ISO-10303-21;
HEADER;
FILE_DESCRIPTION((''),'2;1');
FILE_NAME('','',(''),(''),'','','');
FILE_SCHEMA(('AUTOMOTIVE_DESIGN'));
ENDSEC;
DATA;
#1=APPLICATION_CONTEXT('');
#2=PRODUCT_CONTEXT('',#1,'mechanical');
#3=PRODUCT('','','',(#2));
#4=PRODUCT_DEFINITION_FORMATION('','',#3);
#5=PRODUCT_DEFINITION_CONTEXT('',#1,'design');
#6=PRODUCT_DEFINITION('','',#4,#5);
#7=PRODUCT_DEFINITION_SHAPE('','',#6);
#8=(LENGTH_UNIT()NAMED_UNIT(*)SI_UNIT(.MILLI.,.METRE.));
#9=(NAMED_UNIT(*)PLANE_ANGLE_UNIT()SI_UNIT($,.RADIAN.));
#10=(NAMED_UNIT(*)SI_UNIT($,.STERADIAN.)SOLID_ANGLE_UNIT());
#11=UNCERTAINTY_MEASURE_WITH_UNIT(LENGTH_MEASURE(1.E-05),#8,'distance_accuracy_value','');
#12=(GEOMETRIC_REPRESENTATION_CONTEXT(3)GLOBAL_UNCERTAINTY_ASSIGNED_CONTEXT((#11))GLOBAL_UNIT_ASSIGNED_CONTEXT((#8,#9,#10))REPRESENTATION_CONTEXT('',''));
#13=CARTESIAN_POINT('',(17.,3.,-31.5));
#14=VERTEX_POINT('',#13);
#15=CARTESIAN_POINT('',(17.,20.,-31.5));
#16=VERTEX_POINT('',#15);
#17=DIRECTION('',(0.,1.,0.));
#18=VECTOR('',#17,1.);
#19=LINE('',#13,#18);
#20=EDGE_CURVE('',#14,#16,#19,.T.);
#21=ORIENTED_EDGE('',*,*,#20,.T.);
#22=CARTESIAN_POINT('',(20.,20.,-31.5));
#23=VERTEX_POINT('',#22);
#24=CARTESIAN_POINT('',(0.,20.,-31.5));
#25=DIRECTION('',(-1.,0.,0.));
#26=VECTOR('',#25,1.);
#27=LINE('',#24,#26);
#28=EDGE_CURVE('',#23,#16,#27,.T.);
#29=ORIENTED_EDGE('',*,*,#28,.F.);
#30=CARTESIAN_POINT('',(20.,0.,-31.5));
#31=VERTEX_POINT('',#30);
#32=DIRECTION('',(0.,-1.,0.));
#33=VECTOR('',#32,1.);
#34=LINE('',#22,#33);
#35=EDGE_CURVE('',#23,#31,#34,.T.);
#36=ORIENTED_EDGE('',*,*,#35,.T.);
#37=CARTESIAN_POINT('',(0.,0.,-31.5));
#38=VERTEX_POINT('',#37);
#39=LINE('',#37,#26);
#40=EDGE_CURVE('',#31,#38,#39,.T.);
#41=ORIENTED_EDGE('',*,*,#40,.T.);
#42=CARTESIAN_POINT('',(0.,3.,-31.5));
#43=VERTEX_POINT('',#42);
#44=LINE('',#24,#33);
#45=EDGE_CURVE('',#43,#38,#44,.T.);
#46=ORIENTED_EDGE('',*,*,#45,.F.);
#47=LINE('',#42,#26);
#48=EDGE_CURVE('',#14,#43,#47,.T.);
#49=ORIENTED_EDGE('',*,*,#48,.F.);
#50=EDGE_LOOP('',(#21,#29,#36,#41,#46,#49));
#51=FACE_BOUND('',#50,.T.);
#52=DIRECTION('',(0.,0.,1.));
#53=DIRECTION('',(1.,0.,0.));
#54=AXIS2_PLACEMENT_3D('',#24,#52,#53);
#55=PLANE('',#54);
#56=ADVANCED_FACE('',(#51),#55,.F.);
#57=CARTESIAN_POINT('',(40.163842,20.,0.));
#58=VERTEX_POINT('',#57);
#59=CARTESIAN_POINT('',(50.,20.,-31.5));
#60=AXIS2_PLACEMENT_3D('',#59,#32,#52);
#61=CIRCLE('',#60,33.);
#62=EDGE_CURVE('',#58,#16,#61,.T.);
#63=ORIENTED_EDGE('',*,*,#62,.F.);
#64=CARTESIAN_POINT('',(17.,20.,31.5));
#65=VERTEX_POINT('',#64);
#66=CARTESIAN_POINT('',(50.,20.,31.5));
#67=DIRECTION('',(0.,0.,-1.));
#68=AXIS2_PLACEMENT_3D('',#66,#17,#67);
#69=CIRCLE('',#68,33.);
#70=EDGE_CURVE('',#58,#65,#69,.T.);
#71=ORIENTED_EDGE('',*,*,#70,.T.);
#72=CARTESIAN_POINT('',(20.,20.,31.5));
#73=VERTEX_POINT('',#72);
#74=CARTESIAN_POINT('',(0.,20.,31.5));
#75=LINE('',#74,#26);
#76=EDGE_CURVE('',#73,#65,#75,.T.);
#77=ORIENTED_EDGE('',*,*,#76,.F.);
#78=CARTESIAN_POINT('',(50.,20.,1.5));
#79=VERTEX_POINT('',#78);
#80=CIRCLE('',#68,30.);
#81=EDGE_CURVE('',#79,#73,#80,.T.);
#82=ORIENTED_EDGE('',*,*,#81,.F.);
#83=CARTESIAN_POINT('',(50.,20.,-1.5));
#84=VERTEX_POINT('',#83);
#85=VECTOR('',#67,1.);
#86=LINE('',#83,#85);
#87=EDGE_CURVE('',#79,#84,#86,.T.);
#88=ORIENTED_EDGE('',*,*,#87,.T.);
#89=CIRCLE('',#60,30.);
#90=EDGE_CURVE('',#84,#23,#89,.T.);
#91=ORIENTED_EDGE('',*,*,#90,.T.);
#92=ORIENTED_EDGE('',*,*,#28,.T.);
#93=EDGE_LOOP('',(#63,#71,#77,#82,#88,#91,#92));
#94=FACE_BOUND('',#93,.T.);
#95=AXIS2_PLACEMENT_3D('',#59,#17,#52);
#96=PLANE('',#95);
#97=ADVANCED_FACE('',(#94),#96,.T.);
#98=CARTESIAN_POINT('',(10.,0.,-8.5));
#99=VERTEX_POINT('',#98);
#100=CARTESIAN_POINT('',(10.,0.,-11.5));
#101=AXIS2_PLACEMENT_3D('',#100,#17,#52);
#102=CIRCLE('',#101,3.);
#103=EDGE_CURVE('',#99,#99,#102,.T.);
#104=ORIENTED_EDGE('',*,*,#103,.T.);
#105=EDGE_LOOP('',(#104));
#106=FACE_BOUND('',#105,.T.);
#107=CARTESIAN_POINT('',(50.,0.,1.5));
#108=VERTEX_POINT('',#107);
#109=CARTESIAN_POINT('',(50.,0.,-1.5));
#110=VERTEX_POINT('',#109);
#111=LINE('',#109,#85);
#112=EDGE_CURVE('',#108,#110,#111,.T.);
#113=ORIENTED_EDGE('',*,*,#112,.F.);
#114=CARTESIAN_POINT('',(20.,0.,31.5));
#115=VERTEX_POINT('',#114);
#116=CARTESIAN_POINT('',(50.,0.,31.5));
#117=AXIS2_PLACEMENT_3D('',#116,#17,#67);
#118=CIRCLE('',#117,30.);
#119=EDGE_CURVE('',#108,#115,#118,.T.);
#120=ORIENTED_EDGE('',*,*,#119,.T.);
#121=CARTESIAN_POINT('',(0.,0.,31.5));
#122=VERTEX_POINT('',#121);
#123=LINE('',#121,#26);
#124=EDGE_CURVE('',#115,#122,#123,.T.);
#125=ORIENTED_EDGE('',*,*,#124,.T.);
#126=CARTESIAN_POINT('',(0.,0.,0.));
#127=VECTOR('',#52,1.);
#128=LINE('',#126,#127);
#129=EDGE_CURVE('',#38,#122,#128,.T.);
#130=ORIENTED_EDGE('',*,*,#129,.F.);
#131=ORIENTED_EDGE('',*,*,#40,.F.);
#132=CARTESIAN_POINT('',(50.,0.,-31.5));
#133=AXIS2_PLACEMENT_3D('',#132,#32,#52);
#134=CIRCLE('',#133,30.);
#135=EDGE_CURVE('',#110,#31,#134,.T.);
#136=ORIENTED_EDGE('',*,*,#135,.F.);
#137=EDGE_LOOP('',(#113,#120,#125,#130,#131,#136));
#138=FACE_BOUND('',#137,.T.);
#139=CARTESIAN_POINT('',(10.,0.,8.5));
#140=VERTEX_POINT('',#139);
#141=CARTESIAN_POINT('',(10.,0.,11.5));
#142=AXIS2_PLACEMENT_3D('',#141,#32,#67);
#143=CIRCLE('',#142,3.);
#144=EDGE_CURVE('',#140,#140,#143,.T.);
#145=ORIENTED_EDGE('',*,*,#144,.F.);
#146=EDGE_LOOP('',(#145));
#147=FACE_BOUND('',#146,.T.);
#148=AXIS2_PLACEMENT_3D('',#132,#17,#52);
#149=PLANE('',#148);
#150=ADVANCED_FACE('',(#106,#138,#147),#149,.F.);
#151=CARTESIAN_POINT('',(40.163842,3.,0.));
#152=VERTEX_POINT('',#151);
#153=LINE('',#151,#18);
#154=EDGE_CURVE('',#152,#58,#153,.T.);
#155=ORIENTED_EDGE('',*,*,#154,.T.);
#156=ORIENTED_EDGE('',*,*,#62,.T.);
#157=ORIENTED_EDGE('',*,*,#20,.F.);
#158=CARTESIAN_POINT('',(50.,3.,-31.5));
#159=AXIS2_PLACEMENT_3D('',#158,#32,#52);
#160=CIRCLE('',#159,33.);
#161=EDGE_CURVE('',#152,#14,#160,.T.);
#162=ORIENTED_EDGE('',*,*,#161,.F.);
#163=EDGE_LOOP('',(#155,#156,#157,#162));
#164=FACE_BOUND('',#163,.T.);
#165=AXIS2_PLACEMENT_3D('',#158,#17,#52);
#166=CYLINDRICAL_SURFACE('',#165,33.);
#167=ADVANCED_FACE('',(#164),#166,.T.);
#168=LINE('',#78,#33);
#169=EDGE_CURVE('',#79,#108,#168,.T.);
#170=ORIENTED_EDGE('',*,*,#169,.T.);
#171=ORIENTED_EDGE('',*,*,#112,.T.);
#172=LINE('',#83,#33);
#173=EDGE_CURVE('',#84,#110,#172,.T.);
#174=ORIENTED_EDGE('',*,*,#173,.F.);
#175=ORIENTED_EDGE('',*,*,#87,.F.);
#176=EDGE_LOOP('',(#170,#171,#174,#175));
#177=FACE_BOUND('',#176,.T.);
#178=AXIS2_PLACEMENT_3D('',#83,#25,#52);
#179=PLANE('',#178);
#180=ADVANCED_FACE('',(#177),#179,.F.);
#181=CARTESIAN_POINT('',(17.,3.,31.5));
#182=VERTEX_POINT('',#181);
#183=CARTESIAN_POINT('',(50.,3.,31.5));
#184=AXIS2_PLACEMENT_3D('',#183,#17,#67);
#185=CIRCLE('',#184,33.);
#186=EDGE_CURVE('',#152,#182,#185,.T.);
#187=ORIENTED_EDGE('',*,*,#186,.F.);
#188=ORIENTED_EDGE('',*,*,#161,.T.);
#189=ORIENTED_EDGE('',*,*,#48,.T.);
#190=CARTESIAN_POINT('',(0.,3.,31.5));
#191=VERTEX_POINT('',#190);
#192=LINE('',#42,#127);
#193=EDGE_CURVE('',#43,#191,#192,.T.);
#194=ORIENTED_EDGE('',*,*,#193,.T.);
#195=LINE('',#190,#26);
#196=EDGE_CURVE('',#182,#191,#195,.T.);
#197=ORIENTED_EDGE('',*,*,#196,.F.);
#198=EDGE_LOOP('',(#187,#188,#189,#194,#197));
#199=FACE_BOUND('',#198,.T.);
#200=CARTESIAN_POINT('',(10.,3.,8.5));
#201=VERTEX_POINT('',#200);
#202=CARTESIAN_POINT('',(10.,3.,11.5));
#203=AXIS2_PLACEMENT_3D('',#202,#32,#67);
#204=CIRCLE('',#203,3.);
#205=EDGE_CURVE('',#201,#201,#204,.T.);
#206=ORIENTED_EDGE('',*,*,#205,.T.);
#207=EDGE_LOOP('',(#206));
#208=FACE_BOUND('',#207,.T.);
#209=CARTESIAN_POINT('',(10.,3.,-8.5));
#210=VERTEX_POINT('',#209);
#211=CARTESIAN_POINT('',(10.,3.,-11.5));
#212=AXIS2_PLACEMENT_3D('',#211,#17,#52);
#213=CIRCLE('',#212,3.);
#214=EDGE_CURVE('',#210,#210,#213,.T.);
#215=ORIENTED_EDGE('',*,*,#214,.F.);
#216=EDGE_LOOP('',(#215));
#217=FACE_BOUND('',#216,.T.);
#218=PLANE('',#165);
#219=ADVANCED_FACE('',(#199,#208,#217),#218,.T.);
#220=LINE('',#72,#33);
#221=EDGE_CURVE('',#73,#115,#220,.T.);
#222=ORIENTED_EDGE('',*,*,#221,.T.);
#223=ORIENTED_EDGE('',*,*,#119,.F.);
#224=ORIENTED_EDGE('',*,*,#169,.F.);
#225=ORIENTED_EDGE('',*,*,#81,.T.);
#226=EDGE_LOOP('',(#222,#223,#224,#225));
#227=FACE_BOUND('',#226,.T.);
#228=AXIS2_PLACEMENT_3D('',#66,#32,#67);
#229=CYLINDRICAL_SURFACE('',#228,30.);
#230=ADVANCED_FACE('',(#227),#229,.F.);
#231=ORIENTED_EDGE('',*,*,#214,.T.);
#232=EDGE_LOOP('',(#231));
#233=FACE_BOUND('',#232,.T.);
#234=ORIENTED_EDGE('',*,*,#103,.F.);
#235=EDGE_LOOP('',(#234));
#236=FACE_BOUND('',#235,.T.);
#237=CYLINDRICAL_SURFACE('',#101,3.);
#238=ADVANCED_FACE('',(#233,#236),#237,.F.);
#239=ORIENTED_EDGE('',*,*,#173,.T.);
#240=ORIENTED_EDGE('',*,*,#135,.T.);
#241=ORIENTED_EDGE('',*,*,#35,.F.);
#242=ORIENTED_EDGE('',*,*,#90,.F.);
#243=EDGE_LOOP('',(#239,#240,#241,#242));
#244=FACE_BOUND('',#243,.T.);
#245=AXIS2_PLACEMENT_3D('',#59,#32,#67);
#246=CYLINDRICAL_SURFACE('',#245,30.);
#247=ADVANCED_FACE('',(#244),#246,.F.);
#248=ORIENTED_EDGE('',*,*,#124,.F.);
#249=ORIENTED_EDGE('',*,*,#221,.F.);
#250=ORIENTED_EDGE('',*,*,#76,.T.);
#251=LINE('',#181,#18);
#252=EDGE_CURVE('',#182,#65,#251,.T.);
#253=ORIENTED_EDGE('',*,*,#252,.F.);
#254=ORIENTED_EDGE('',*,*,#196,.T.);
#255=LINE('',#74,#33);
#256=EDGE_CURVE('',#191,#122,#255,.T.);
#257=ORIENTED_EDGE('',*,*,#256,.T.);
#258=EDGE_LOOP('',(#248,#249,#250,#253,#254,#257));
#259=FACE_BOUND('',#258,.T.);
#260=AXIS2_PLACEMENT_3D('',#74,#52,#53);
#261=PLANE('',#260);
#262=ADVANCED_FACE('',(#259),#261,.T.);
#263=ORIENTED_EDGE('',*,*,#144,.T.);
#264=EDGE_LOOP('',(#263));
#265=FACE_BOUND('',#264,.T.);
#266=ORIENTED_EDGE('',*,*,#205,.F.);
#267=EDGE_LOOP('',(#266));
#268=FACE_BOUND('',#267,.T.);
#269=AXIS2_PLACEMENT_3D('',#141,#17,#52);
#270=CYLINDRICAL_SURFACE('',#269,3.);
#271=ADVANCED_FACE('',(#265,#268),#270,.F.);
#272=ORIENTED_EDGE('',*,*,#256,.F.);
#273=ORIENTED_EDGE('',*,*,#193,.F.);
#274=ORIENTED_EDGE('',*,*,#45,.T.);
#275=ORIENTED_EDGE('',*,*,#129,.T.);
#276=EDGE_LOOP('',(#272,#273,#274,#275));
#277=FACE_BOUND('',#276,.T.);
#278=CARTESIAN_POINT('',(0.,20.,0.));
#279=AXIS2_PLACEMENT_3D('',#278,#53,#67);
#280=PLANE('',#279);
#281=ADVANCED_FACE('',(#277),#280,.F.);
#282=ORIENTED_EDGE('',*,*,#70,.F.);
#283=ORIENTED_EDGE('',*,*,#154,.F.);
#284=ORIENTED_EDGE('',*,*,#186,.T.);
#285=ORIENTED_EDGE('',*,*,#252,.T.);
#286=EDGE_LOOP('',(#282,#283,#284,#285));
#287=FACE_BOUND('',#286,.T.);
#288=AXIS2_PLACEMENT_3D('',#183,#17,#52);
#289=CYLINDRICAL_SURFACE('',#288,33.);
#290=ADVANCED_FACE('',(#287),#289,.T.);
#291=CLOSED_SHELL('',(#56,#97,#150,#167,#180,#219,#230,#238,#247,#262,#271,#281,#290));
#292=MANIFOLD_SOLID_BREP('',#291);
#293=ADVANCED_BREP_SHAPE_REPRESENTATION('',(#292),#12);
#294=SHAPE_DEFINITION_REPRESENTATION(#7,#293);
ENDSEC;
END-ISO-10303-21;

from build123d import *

# Parameters (mm, degrees)
EXTRUDE_1_DEPTH     = 20
CUT_EXTRUDE_1_DEPTH = 17
SKETCH_4_R          = 3
CUT_EXTRUDE_2_DEPTH = 62.491869381


with BuildPart() as part:
    # 草圖2 → 填料-伸長1 (new body)
    with BuildSketch(Plane(origin=(0, 0, 0), x_dir=(1, 0, 0), z_dir=(0, 1, 0))):
        with BuildLine():
            Line((0, 31.5), (20, 31.5))
            ThreePointArc((20, 31.5), (28.786796564, 10.286796564), (50, 1.5))
            Line((50, 1.5), (50, 0))
            Line((50, 0), (0, 0))
            Line((0, 0), (0, 31.5))
        make_face()
    extrude_1 = extrude(amount=EXTRUDE_1_DEPTH)

    # 草圖3 → 除料-伸長1 (cut)
    with BuildSketch(Plane(origin=(0, 20, 0), x_dir=(1, 0, 0), z_dir=(0, 1, 0))):
        with BuildLine():
            Line((0, 31.5), (17, 31.5))
            ThreePointArc((17, 31.5), (23.414353431, 11.949977071), (40.163842214, 0))
            Line((40.163842214, 0), (0, 0))
            Line((0, 0), (0, 31.5))
        make_face()
    cut_extrude_1 = extrude(amount=-CUT_EXTRUDE_1_DEPTH, mode=Mode.SUBTRACT)

    # 草圖4 → 除料-伸長2 (cut, through all)
    with BuildSketch(Plane(origin=(0, 3, 0), x_dir=(1, 0, 0), z_dir=(0, 1, 0))):
        with Locations(Location((10, 11.5, 0), (0, 0, 270))):
            Circle(SKETCH_4_R)
    cut_extrude_2 = extrude(amount=-CUT_EXTRUDE_2_DEPTH, mode=Mode.SUBTRACT)

    # 鏡射4: 填料-伸長1, 除料-伸長1, 除料-伸長2 across plane
    add(extrude_1.mirror(Plane.XY))
    add(cut_extrude_1.mirror(Plane.XY), mode=Mode.SUBTRACT)
    add(cut_extrude_2.mirror(Plane.XY), mode=Mode.SUBTRACT)


solid = part.part
